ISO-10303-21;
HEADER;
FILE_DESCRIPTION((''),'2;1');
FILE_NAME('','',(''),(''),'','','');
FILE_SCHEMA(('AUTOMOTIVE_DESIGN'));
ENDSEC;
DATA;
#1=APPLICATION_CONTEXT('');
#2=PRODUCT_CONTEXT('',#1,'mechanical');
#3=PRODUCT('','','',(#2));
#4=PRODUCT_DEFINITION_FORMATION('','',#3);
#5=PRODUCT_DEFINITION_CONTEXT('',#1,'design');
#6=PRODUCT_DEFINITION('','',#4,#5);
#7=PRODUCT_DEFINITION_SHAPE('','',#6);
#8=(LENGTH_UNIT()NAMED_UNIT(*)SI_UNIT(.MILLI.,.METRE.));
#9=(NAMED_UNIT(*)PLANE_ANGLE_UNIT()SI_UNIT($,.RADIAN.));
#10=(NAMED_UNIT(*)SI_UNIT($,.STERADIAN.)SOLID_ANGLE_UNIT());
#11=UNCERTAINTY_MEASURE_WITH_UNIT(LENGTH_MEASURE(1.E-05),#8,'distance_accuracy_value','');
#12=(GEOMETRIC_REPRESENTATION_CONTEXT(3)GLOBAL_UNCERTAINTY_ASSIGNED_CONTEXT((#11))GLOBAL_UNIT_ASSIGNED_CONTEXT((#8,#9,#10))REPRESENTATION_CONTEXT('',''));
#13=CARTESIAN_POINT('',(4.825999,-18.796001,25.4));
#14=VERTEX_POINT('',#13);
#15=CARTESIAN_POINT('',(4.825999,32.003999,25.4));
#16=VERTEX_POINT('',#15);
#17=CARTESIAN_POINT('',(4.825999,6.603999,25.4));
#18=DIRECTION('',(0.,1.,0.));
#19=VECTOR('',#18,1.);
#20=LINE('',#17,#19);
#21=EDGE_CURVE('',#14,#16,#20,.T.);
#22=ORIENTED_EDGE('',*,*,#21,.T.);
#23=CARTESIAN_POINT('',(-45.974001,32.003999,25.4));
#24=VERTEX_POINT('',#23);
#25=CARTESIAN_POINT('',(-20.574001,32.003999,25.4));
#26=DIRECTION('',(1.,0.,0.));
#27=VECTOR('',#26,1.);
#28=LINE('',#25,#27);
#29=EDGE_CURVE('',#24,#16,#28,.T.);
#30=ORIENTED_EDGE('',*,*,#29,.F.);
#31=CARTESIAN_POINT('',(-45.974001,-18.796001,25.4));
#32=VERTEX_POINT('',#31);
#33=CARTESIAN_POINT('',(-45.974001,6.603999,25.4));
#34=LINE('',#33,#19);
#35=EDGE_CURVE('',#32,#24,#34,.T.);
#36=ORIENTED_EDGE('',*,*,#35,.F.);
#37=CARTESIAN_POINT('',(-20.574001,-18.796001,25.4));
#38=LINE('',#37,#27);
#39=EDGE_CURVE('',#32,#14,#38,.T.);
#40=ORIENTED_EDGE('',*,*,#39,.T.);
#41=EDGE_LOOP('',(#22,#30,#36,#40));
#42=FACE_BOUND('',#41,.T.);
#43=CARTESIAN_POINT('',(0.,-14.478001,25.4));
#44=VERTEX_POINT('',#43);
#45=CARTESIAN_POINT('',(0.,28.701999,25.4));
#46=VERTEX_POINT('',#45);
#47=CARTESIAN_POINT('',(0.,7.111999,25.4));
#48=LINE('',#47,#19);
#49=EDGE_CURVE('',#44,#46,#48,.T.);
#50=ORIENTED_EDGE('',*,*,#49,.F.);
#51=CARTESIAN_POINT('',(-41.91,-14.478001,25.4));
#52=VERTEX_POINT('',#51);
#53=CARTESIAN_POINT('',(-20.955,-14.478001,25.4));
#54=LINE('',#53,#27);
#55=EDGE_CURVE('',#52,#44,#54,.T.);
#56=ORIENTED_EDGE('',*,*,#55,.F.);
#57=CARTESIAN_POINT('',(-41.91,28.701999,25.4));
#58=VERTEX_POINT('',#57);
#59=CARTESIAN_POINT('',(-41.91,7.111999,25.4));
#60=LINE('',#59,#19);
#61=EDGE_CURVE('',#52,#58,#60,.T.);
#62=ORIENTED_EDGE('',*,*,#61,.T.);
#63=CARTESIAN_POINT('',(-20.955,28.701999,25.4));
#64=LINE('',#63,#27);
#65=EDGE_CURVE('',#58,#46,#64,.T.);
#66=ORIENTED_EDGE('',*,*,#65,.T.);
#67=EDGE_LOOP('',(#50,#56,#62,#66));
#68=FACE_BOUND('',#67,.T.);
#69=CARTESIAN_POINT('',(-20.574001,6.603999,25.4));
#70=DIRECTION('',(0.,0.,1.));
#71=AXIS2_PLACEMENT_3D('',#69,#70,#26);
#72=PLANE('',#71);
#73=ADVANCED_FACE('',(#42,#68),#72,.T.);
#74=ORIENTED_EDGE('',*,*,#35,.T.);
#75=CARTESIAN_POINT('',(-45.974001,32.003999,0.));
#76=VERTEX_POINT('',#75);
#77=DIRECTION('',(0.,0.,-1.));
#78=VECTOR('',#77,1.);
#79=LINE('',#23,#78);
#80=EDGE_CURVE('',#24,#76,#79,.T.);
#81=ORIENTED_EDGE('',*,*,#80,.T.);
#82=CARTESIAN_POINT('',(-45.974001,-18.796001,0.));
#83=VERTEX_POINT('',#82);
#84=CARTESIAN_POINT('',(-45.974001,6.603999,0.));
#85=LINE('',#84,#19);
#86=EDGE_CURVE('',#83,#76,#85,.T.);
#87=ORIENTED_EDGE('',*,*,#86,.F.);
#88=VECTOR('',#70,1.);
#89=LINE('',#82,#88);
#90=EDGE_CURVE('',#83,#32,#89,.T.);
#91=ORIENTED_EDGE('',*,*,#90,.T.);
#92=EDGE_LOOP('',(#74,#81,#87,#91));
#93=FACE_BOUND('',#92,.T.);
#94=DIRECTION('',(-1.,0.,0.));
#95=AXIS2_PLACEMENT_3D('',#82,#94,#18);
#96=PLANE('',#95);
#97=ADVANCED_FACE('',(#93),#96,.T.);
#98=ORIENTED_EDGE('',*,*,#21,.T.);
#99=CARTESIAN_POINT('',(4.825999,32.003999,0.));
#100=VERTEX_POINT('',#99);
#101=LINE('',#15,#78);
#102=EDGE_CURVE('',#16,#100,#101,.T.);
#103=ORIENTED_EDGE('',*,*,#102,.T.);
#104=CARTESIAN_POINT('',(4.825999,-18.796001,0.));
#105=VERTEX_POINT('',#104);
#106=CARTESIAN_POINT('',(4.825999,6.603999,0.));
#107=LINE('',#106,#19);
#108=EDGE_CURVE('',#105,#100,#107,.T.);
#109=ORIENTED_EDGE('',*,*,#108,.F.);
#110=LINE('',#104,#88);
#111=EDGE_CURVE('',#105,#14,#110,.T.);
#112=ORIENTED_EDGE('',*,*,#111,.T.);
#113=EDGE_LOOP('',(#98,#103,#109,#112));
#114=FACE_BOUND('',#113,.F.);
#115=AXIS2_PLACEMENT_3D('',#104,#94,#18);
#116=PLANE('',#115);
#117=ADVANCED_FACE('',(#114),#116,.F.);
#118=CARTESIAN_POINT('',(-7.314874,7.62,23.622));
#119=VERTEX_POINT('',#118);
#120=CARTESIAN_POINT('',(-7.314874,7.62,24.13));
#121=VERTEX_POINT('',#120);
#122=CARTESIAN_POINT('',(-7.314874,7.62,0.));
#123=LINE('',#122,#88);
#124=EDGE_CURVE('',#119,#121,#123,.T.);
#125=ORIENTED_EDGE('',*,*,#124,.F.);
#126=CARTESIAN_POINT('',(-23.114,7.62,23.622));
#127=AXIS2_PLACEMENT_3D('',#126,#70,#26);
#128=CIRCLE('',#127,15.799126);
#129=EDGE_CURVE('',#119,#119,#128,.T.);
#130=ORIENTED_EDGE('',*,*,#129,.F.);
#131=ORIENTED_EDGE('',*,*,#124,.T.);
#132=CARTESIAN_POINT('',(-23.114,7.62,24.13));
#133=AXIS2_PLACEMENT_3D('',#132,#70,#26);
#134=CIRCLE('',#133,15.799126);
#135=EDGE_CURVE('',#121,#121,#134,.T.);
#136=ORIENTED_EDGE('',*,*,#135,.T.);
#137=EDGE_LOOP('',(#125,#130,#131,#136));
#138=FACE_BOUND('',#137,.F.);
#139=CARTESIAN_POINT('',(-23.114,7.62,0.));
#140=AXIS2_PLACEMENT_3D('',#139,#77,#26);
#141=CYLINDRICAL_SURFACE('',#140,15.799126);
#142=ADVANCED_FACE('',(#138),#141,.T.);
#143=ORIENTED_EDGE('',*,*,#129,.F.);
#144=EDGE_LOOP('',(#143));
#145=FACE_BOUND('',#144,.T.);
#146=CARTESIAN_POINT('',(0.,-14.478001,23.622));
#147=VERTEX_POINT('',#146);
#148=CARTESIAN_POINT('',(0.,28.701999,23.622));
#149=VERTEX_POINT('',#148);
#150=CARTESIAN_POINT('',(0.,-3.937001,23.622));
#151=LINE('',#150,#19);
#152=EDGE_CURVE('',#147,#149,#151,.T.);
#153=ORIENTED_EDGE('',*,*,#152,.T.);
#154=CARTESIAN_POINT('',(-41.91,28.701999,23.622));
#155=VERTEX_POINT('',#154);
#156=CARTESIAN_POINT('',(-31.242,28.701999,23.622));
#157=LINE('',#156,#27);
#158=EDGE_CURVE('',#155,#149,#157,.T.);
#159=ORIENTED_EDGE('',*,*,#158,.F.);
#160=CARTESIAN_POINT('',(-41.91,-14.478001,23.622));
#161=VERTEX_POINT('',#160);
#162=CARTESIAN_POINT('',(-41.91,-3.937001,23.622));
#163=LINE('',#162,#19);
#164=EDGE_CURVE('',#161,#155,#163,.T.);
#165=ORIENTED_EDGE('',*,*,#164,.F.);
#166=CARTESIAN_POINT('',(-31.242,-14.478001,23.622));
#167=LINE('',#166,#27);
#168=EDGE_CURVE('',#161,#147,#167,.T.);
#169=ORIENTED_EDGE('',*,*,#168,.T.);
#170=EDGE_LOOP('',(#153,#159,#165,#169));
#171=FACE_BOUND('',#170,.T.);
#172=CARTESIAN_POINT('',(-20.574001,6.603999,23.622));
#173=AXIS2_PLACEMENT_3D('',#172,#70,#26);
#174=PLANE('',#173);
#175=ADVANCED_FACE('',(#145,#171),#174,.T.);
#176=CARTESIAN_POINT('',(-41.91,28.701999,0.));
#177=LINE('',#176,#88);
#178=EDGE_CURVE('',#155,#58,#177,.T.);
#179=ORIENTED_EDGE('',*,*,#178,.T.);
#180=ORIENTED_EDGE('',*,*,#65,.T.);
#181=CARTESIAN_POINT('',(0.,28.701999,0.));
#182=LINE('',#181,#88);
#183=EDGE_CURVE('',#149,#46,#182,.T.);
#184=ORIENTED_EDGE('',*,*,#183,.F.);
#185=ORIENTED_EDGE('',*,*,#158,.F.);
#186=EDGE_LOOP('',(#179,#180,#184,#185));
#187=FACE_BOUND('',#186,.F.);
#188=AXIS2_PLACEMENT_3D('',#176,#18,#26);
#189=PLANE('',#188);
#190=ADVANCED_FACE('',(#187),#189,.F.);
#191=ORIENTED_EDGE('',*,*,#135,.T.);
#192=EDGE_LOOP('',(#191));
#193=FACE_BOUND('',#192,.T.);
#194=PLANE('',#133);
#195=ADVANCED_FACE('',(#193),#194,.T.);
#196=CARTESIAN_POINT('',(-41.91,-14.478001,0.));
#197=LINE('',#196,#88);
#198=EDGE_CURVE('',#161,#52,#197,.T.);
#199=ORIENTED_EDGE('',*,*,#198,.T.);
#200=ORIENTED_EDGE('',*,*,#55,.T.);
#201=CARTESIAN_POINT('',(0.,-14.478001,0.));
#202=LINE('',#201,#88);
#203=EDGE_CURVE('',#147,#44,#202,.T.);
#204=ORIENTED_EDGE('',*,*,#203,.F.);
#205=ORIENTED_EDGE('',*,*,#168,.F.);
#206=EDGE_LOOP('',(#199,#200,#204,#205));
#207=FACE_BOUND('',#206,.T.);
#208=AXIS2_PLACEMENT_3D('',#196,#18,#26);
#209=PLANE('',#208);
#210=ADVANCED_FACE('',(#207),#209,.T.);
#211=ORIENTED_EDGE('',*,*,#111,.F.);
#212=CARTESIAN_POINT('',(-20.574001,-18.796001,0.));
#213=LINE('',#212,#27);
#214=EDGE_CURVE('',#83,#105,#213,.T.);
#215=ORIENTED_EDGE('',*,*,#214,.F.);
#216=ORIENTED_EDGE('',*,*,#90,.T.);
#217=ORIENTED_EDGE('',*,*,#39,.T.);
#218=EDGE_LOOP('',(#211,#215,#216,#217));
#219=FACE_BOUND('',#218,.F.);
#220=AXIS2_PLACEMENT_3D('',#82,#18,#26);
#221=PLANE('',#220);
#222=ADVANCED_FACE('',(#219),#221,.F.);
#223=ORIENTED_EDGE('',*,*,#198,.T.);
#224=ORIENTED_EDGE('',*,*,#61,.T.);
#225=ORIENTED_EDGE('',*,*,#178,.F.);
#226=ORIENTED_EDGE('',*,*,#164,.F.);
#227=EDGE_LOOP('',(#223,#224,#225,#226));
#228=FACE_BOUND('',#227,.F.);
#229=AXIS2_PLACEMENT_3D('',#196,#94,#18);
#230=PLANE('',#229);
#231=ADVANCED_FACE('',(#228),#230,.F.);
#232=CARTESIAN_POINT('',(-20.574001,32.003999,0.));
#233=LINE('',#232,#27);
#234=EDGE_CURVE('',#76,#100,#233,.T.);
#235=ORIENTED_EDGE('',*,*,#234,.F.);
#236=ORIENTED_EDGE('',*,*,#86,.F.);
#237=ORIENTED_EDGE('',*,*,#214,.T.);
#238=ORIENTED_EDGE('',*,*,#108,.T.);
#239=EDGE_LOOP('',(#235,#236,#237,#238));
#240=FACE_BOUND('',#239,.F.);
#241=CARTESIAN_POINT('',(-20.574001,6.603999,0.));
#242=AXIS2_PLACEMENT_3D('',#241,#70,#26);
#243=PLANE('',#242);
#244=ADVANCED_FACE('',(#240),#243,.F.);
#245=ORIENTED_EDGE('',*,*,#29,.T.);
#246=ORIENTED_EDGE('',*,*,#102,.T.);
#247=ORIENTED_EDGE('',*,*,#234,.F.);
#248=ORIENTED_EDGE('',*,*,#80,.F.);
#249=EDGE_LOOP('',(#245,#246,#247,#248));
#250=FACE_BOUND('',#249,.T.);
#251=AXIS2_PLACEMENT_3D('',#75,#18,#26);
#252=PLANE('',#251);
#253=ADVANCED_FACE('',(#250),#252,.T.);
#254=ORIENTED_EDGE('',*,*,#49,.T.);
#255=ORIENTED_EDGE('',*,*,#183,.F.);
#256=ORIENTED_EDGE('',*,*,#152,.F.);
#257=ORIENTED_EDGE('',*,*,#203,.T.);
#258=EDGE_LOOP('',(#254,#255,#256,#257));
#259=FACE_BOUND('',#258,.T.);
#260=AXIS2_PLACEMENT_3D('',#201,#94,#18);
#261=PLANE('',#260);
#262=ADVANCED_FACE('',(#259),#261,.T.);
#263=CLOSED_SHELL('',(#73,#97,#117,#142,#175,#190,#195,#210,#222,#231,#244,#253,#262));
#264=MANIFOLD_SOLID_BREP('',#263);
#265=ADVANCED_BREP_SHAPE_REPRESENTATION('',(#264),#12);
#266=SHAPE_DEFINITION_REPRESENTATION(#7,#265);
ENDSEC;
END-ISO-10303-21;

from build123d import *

# Parameters (mm, degrees)
F0_W     = 50.8
F0_H     = 50.8
F0_W_2   = 41.91
F0_H_2   = 43.180001
F1_DEPTH = 25.4
F0_R     = 15.799126
F2_DEPTH = 23.622
F3_DEPTH = 24.13


with BuildPart() as f1:
    # F0 (on Top) → F1 (new body)
    with BuildSketch(Plane.XY):
        with Locations((-20.574001, 6.603999)):
            Rectangle(F0_W, F0_H)
        with Locations((-20.955, 7.111999)):
            Rectangle(F0_W_2, F0_H_2, mode=Mode.SUBTRACT)
    extrude(amount=F1_DEPTH)

    # F0 (on Top) → F2 (join)
    with BuildSketch(Plane.XY):
        with Locations((-20.574001, 6.603999)):
            Rectangle(F0_W, F0_H)
        with Locations((-20.955, 7.111999)):
            Rectangle(F0_W_2, F0_H_2, mode=Mode.SUBTRACT)
        with Locations((-20.955, 7.111999)):
            Rectangle(F0_W_2, F0_H_2)
        with Locations((-23.114, 7.62)):
            Circle(F0_R, mode=Mode.SUBTRACT)
    extrude(amount=F2_DEPTH)

    # F0 (on Top) → F3 (join)
    with BuildSketch(Plane.XY):
        with Locations((-23.114, 7.62)):
            Circle(F0_R)
    extrude(amount=F3_DEPTH)


solid = f1.part
